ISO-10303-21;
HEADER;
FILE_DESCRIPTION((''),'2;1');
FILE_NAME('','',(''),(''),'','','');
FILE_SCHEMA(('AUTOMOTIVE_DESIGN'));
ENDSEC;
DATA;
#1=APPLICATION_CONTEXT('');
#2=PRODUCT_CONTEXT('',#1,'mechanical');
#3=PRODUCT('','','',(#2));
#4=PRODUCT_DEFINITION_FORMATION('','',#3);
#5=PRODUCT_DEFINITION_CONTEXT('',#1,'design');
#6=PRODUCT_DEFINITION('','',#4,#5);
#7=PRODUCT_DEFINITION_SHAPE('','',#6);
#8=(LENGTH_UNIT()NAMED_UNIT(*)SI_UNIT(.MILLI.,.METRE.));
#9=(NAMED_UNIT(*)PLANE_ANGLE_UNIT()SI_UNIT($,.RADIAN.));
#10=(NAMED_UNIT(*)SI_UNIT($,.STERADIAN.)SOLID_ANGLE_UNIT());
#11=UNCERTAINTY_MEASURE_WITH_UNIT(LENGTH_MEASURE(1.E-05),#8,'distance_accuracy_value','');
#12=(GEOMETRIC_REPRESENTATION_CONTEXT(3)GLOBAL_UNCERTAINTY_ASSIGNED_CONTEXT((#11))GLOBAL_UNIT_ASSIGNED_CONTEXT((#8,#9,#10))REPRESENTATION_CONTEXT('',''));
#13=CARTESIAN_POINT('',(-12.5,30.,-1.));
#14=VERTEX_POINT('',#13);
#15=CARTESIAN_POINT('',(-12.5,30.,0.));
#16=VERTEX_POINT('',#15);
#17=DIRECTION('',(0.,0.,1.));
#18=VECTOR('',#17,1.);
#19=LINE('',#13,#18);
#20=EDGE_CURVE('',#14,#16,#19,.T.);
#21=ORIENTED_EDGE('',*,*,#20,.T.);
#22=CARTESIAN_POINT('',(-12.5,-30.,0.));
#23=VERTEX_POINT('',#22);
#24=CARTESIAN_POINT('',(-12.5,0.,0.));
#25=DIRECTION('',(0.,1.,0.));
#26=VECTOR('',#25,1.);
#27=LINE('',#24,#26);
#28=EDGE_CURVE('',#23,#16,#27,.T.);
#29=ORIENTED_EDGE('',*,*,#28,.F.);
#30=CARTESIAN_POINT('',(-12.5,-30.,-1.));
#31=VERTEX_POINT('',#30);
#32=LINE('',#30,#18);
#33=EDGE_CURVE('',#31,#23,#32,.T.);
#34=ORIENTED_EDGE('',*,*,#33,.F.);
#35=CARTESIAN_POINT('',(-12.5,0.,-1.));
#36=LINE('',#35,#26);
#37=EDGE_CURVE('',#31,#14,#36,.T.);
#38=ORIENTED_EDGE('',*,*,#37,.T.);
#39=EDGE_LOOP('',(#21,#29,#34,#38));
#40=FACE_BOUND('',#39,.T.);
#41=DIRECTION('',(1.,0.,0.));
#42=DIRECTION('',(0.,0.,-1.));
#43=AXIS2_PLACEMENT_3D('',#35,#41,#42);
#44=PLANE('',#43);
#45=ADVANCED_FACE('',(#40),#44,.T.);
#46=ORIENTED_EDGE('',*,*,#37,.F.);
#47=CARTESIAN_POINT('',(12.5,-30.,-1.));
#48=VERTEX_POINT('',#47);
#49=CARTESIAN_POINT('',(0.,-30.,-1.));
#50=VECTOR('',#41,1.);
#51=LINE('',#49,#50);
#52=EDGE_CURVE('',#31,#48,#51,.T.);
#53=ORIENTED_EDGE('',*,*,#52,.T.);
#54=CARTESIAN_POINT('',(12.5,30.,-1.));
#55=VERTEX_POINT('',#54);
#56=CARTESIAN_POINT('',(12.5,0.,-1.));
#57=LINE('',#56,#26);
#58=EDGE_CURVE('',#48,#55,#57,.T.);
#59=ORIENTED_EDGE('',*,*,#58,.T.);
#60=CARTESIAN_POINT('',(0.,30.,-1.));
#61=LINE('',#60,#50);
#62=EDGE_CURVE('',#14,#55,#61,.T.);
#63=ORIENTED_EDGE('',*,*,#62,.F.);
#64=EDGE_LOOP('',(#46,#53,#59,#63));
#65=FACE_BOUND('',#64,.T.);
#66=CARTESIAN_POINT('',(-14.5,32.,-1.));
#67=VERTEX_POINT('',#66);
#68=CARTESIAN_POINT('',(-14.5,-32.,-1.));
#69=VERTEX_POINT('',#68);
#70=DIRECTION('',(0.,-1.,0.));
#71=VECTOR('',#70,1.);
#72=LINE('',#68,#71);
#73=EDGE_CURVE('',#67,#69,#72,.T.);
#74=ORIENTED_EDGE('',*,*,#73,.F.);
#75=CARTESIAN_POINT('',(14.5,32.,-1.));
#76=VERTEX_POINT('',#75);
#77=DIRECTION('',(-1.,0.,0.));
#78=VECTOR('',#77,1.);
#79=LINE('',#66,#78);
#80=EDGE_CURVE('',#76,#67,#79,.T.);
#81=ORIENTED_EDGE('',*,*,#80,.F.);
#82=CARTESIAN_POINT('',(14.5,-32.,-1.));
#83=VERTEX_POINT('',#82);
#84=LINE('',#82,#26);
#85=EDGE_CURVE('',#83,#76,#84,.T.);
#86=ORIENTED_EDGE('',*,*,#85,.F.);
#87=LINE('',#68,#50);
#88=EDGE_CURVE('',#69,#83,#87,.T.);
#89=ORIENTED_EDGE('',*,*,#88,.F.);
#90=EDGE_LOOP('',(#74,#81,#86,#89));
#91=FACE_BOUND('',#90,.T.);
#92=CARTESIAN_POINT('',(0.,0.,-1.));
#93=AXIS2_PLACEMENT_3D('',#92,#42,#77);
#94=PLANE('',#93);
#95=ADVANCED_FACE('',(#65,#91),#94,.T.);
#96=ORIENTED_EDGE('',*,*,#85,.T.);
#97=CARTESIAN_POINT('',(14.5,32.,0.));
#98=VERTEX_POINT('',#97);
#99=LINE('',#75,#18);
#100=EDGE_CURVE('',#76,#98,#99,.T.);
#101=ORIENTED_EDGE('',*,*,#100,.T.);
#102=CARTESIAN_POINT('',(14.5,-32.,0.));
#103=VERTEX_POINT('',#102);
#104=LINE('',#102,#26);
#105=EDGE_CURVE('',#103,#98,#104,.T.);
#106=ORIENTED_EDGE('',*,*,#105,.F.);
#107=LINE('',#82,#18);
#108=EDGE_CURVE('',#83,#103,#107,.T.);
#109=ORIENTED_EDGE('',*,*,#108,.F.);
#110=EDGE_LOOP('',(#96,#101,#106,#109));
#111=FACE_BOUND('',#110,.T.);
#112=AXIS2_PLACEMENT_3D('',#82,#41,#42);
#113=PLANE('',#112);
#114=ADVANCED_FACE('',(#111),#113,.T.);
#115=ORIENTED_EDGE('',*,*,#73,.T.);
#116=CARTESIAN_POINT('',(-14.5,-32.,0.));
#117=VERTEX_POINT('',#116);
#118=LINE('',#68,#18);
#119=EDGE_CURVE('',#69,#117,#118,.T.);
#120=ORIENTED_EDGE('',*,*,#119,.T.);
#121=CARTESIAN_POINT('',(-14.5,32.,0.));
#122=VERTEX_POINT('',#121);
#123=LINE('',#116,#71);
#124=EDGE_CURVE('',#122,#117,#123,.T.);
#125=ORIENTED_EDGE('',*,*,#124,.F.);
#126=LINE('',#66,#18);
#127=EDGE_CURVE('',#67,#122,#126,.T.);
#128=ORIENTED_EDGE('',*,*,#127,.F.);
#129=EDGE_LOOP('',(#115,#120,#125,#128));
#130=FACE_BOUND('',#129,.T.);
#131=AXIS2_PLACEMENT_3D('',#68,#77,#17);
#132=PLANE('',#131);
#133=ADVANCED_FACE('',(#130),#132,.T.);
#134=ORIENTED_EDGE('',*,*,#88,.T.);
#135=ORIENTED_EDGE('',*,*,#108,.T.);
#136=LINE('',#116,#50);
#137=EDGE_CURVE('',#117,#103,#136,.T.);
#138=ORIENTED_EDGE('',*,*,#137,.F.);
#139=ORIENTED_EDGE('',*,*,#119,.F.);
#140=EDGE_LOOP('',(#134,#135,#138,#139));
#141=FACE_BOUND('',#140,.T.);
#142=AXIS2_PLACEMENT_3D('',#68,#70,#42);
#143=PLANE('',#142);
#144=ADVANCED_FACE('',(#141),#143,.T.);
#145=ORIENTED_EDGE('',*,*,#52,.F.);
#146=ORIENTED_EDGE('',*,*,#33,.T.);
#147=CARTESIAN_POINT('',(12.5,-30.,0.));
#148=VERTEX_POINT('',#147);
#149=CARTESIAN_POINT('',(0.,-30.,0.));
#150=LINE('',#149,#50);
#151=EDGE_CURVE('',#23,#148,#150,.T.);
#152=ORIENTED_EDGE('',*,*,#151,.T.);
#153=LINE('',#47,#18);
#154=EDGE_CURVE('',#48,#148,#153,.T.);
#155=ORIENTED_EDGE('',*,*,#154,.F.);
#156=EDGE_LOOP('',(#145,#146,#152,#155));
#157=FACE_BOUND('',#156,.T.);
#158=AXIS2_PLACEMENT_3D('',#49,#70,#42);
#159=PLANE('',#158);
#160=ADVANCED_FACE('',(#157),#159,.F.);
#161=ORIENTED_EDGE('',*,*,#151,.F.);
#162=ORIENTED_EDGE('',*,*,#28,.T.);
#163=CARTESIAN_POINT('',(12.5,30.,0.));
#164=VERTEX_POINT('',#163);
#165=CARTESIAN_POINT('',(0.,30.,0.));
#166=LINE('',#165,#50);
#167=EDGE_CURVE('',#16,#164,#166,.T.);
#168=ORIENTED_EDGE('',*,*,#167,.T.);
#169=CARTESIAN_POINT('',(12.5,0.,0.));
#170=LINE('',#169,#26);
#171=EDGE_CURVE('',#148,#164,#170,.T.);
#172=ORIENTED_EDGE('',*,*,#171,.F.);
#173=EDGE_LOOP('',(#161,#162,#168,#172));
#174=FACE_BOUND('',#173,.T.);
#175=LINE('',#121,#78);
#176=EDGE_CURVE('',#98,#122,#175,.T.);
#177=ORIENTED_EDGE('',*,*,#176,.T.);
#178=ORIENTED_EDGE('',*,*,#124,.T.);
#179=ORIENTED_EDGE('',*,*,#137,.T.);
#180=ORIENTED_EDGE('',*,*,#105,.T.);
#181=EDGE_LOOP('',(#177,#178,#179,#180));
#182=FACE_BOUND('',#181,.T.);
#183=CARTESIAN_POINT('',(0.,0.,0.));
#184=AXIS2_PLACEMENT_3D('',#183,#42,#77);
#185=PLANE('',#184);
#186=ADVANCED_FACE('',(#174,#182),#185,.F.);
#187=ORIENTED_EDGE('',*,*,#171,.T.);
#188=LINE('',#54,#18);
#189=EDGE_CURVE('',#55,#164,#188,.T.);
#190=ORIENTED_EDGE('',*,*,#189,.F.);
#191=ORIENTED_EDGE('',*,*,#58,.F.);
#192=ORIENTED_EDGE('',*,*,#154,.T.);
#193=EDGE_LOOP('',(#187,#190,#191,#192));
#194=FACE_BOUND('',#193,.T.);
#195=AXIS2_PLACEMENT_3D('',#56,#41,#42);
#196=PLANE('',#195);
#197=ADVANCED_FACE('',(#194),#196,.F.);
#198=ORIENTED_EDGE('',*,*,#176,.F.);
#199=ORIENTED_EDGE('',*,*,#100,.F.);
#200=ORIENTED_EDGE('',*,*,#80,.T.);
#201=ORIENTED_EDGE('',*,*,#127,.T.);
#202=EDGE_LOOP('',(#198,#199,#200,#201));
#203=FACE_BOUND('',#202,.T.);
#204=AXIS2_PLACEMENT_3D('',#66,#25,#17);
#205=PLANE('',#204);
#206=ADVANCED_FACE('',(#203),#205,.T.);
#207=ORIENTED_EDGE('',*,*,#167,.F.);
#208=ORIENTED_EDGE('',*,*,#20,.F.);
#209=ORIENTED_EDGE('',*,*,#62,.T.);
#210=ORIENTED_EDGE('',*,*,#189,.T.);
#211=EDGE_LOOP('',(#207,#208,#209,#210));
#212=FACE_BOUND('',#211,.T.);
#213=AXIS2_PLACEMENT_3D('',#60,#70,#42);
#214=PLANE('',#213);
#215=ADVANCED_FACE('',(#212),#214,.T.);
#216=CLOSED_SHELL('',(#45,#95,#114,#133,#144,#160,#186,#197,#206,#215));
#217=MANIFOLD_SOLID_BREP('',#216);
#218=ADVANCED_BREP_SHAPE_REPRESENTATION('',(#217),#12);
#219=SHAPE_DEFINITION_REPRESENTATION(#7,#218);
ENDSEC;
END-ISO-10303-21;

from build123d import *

# Parameters (mm, degrees)
SKETCH2_W           = 29
SKETCH2_H           = 64
BOSS_EXTRUDE1_DEPTH = 1
SKETCH3_W           = 25
SKETCH3_H           = 60
CUT_EXTRUDE4_DEPTH  = 1


with BuildPart() as part:
    # Sketch2 → Boss-Extrude1 (new body)
    with BuildSketch(Plane.XY):
        Rectangle(SKETCH2_W, SKETCH2_H)
    extrude(amount=-BOSS_EXTRUDE1_DEPTH)

    # Sketch3 → Cut-Extrude4 (cut)
    with BuildSketch(Plane.XY):
        Rectangle(SKETCH3_W, SKETCH3_H)
    extrude(amount=-CUT_EXTRUDE4_DEPTH, mode=Mode.SUBTRACT)


solid = part.part
